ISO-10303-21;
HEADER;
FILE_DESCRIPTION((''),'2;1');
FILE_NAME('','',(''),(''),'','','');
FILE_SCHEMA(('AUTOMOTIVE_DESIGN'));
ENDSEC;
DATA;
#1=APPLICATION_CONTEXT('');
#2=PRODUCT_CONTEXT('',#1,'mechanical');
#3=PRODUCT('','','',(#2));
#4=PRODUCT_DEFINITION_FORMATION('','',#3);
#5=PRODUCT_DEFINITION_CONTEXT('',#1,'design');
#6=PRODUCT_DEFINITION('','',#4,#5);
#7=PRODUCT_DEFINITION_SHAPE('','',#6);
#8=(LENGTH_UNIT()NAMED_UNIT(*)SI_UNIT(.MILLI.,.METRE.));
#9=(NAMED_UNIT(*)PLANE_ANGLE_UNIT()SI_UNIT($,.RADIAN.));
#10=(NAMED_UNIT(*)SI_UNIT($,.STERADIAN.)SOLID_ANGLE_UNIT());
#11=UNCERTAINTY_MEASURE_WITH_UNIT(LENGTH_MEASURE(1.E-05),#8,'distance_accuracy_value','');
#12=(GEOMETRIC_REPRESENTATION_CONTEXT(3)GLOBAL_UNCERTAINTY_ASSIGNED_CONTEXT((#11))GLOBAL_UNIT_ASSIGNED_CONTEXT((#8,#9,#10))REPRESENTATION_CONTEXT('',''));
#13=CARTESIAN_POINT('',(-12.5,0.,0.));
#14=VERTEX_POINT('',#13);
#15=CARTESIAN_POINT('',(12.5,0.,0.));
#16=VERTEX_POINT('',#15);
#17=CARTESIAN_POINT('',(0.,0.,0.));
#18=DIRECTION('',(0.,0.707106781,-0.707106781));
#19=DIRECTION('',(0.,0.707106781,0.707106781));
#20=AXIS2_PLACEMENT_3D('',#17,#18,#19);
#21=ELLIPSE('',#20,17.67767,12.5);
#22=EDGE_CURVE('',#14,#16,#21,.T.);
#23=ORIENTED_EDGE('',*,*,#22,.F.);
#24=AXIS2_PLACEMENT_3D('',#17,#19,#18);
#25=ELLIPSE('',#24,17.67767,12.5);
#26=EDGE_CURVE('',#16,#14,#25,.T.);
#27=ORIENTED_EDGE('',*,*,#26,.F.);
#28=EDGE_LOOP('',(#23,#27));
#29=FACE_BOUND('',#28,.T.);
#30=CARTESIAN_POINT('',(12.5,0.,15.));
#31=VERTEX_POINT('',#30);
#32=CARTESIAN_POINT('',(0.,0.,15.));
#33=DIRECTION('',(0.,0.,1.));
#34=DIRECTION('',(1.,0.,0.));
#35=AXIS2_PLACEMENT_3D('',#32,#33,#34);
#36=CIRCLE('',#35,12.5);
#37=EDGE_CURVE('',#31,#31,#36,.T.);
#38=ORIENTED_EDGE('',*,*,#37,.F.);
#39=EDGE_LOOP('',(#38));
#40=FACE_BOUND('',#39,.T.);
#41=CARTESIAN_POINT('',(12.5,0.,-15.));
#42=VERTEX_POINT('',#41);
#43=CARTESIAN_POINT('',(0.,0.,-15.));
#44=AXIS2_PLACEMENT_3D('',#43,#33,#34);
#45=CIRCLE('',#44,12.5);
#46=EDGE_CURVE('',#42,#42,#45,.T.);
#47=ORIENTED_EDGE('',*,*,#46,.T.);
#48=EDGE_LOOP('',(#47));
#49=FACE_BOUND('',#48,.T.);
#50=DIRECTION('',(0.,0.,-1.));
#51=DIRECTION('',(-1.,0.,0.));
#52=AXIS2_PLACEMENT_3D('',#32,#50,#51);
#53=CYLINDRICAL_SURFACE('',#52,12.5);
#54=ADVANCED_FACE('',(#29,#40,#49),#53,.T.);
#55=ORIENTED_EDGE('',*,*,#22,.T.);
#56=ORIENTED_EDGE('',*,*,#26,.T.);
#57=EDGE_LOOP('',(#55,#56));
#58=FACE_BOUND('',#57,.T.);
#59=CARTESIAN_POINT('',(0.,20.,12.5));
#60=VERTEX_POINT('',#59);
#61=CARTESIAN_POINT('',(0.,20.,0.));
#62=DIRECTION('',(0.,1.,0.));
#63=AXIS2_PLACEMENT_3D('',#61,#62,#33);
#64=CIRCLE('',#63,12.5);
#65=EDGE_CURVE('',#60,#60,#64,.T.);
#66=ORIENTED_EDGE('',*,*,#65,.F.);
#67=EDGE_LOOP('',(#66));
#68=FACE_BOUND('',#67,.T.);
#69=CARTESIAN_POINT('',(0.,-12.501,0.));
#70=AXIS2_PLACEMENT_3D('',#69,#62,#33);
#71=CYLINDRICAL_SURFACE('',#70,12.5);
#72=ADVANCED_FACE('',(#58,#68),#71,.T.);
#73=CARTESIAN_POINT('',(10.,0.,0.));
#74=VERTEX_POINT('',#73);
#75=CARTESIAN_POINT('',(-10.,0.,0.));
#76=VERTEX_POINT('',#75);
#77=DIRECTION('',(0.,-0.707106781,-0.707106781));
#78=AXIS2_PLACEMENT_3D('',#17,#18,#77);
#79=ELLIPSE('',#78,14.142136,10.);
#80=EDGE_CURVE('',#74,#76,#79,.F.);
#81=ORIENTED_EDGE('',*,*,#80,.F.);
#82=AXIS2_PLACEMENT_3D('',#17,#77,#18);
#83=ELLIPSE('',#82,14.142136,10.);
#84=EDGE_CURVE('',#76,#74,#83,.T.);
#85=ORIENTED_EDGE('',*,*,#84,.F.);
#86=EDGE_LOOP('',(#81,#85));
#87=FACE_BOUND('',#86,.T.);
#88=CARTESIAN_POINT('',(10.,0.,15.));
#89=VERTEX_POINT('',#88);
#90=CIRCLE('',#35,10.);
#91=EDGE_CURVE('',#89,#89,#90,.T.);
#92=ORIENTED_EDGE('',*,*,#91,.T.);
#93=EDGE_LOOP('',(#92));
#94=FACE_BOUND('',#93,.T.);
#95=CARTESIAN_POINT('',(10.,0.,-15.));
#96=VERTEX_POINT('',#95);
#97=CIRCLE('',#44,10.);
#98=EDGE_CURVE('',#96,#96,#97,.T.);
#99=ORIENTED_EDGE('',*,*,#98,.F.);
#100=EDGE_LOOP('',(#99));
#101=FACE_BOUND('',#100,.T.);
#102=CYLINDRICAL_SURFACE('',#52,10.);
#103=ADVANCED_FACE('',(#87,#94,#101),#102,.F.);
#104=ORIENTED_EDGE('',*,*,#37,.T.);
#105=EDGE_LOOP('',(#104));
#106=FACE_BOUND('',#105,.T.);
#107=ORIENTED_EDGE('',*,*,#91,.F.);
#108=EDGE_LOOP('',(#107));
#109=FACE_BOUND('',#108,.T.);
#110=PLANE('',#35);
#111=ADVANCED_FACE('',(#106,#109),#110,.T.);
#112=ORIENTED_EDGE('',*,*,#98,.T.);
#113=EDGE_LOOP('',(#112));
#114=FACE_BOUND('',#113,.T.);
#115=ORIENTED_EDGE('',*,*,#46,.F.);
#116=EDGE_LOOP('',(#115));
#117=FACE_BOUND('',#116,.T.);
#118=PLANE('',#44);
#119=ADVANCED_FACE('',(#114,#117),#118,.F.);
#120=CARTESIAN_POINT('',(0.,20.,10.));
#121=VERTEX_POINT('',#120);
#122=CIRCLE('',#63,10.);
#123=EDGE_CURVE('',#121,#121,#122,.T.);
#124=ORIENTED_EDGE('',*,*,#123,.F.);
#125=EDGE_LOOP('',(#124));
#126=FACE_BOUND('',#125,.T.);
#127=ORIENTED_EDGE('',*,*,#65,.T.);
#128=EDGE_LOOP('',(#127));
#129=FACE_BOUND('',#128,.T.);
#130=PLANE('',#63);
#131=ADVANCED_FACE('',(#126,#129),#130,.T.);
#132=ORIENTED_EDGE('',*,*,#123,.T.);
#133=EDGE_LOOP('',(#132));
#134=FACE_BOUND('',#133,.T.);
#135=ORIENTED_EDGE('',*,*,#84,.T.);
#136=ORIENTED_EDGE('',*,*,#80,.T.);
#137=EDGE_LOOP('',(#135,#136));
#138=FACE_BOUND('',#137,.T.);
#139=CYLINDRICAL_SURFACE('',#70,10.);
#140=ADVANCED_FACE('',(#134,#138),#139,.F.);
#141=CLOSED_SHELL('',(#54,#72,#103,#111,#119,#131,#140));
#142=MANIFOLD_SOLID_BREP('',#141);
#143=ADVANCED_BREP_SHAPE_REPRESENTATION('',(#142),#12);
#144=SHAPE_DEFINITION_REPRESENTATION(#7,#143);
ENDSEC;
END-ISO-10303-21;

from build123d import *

# Parameters (mm, degrees)
SKETCH_1_R           = 12.5
SKETCH_1_R_2         = 10
EXTRUDE_1_DEPTH      = 15
EXTRUDE_2_REACH      = 39.914
EXTRUDE_2_END_RADIUS = 12.5
SKETCH_2_R           = 12.5
SKETCH_2_R_2         = 10
SKETCH_3_R           = 10
CUT_EXTRUDE_1_DEPTH  = 20


with BuildPart() as part:
    # 草图1 → 凸台-拉伸1 (new, symmetric)
    with BuildSketch(Plane.XY):
        Circle(SKETCH_1_R)
        Circle(SKETCH_1_R_2, mode=Mode.SUBTRACT)
    extrude(amount=EXTRUDE_1_DEPTH, both=True)

    # 凸台-拉伸2: up to this cylinder (the profile starts outside it)
    extrude_2_end = Plane(origin=(0, 0, -12.146447), z_dir=(0, 0, -1)) * Cylinder(EXTRUDE_2_END_RADIUS, 105.828, mode=Mode.PRIVATE)
    # 草图2 → 凸台-拉伸2 (add, up to the surface)
    with BuildSketch(Plane(origin=(0, 20, 0), x_dir=(1, 0, 0), z_dir=(0, 1, 0)), mode=Mode.PRIVATE) as extrude_2_sk1:
        with Locations(Location((0, 0, 0), (0, 0, 270))):
            Circle(SKETCH_2_R)
        with Locations(Location((0, 0, 0), (0, 0, 270))):
            Circle(SKETCH_2_R_2, mode=Mode.SUBTRACT)
    extrude_2_tool1 = extrude(extrude_2_sk1.sketch, amount=-EXTRUDE_2_REACH, mode=Mode.PRIVATE) - extrude_2_end
    add(extrude_2_tool1.solids().sort_by_distance((0, 20, -12.146447))[0])

    # 草图3 → 切除-拉伸1 (cut)
    with BuildSketch(Plane(origin=(0, 20, 0), x_dir=(1, 0, 0), z_dir=(0, 1, 0))):
        with Locations(Location((0, 0, 0), (0, 0, 270))):
            Circle(SKETCH_3_R)
    extrude(amount=-CUT_EXTRUDE_1_DEPTH, mode=Mode.SUBTRACT)


solid = part.part
